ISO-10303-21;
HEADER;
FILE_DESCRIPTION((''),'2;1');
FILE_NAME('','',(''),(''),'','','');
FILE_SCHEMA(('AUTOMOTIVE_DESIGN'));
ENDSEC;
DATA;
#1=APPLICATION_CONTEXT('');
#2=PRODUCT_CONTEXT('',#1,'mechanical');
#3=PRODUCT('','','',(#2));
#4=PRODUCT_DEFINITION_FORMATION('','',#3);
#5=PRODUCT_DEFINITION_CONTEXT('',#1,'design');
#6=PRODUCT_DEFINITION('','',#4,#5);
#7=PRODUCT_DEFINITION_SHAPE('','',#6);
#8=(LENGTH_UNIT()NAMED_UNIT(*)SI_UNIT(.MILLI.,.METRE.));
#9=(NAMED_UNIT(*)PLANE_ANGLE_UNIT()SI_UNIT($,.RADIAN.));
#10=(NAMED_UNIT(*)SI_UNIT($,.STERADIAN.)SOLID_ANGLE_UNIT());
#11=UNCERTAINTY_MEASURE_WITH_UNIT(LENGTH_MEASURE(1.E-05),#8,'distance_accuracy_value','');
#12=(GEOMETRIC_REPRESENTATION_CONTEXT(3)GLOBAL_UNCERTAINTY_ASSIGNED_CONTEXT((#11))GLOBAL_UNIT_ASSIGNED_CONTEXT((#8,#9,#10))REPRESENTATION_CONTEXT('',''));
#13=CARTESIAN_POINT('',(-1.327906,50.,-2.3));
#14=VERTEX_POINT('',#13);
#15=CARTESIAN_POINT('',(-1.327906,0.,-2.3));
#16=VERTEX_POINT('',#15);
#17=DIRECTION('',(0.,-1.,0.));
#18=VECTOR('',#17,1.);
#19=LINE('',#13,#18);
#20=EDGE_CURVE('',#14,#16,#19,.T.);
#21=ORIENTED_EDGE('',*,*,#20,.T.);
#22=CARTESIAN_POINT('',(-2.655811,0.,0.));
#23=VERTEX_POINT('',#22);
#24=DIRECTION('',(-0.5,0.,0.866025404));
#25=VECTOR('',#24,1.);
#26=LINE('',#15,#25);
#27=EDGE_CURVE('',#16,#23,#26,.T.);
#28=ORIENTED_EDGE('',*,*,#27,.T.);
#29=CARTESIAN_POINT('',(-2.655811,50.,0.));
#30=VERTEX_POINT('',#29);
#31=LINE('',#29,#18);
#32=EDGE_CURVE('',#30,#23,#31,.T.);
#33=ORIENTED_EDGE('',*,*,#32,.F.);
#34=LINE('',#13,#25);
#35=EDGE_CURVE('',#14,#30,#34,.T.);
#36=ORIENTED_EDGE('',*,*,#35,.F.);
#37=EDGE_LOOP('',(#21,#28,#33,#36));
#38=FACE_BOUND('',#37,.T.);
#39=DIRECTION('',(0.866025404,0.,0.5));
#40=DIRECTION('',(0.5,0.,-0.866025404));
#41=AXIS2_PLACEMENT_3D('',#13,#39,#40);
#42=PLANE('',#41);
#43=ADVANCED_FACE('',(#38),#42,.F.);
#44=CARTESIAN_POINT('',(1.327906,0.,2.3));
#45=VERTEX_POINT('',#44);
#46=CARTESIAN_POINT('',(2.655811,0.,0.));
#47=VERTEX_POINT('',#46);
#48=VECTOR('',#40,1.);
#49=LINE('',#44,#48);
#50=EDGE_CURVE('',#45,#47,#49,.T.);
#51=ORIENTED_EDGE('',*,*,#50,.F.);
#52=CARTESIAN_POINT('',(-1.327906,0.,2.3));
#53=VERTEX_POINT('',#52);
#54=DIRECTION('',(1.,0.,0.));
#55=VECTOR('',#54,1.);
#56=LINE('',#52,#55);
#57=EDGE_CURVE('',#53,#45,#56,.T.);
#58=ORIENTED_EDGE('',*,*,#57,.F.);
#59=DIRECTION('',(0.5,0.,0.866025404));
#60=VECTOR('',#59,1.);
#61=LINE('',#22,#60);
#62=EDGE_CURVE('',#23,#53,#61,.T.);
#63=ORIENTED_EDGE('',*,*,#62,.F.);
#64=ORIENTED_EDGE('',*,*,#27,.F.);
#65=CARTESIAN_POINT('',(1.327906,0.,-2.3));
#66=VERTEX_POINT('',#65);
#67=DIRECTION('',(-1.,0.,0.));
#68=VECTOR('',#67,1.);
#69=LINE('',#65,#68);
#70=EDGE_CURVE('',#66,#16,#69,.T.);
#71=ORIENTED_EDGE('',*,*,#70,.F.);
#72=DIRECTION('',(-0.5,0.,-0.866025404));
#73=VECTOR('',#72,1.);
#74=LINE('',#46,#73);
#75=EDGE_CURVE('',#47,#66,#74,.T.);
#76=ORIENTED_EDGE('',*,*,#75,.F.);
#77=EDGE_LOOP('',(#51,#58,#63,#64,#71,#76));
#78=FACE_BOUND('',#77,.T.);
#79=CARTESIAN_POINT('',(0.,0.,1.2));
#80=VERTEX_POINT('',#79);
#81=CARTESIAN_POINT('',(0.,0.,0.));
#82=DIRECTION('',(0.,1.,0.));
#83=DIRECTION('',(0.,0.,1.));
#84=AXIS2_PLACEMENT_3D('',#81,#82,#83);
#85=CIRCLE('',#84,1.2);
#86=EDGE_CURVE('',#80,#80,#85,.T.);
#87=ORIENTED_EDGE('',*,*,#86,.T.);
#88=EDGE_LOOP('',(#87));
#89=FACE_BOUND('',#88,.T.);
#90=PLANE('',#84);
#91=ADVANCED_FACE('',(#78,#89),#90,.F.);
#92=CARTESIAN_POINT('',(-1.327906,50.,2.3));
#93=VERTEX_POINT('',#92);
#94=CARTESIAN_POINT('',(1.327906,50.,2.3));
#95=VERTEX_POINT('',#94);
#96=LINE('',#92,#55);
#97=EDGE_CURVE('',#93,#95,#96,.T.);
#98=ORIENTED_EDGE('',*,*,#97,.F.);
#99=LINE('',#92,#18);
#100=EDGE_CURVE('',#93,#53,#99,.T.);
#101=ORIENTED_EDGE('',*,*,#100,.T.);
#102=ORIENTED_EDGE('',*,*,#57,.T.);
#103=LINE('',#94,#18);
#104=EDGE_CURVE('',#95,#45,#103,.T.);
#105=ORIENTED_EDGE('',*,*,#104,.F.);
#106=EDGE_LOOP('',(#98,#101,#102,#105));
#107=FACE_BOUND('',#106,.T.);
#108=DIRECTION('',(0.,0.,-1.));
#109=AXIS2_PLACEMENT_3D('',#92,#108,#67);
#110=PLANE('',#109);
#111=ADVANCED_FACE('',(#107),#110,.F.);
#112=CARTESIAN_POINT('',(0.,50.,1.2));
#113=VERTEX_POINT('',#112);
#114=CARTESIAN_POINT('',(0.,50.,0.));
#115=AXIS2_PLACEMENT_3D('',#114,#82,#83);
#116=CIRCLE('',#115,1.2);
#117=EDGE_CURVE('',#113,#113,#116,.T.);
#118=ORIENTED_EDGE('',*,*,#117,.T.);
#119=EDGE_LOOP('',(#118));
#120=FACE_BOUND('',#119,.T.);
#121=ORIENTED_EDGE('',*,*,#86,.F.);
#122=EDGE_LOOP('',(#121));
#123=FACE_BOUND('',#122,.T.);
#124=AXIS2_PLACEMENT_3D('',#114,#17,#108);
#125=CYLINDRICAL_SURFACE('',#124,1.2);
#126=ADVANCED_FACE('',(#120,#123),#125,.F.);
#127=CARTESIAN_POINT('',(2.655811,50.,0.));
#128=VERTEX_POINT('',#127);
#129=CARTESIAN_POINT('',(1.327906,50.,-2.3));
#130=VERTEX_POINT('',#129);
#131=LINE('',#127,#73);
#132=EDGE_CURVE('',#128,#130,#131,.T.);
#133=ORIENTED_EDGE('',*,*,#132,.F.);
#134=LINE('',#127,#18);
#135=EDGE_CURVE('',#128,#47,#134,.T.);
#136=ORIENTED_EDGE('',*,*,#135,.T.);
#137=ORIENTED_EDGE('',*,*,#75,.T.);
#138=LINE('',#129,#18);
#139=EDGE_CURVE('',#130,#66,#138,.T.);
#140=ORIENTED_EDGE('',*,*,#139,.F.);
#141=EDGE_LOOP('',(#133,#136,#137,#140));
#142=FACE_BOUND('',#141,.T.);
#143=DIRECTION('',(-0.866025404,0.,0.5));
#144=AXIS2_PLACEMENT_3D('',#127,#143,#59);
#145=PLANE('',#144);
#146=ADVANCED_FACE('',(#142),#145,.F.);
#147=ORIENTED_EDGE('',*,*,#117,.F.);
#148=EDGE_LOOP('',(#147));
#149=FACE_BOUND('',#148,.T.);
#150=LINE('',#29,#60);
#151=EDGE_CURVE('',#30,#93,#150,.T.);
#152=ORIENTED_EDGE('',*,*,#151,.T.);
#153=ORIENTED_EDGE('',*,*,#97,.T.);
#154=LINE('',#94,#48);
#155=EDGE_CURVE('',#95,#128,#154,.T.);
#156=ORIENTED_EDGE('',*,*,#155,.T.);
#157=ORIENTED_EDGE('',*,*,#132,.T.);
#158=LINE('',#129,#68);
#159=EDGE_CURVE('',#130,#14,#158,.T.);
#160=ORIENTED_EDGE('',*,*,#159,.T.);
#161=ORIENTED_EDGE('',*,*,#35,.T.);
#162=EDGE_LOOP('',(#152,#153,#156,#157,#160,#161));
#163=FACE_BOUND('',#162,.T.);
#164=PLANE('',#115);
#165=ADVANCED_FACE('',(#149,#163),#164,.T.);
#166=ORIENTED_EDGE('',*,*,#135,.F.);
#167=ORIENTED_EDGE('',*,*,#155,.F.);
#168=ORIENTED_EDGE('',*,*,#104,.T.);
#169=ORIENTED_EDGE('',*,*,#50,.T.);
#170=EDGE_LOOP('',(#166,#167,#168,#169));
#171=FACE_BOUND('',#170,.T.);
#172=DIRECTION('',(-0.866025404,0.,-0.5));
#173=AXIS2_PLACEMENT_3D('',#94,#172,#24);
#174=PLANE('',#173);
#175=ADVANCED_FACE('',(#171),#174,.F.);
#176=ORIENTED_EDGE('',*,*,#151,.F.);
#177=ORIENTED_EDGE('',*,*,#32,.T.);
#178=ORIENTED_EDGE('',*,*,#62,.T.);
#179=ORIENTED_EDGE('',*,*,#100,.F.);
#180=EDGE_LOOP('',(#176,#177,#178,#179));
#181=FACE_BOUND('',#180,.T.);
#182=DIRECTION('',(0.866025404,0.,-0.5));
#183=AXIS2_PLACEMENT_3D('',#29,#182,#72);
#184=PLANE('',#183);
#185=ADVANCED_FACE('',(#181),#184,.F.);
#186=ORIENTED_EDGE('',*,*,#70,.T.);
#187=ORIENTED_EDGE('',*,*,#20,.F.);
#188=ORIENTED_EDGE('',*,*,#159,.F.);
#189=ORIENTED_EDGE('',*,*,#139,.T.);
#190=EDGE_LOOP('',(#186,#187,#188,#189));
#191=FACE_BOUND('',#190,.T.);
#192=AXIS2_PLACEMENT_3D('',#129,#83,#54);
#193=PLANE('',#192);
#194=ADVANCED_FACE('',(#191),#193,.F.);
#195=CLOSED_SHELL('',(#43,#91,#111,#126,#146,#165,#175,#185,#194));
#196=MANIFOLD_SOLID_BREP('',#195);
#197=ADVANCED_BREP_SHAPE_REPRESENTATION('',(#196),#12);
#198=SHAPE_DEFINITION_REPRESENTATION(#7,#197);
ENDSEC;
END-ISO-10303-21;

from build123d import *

# Parameters (mm, degrees)
SKETCH1_R           = 1.2
BOSS_EXTRUDE1_DEPTH = 50


with BuildPart() as part:
    # Sketch1 → Boss-Extrude1 (new body)
    with BuildSketch(Plane(origin=(0, 0, 0), x_dir=(1, 0, 0), z_dir=(0, 1, 0))):
        Polygon((2.655811238, 0), (1.327905619, 2.3), (-1.327905619, 2.3), (-2.655811238, 0), (-1.327905619, -2.3), (1.327905619, -2.3), align=None)
        with Locations(Location((0, 0, 0), (0, 0, 270))):
            Circle(SKETCH1_R, mode=Mode.SUBTRACT)
    extrude(amount=BOSS_EXTRUDE1_DEPTH)


solid = part.part
